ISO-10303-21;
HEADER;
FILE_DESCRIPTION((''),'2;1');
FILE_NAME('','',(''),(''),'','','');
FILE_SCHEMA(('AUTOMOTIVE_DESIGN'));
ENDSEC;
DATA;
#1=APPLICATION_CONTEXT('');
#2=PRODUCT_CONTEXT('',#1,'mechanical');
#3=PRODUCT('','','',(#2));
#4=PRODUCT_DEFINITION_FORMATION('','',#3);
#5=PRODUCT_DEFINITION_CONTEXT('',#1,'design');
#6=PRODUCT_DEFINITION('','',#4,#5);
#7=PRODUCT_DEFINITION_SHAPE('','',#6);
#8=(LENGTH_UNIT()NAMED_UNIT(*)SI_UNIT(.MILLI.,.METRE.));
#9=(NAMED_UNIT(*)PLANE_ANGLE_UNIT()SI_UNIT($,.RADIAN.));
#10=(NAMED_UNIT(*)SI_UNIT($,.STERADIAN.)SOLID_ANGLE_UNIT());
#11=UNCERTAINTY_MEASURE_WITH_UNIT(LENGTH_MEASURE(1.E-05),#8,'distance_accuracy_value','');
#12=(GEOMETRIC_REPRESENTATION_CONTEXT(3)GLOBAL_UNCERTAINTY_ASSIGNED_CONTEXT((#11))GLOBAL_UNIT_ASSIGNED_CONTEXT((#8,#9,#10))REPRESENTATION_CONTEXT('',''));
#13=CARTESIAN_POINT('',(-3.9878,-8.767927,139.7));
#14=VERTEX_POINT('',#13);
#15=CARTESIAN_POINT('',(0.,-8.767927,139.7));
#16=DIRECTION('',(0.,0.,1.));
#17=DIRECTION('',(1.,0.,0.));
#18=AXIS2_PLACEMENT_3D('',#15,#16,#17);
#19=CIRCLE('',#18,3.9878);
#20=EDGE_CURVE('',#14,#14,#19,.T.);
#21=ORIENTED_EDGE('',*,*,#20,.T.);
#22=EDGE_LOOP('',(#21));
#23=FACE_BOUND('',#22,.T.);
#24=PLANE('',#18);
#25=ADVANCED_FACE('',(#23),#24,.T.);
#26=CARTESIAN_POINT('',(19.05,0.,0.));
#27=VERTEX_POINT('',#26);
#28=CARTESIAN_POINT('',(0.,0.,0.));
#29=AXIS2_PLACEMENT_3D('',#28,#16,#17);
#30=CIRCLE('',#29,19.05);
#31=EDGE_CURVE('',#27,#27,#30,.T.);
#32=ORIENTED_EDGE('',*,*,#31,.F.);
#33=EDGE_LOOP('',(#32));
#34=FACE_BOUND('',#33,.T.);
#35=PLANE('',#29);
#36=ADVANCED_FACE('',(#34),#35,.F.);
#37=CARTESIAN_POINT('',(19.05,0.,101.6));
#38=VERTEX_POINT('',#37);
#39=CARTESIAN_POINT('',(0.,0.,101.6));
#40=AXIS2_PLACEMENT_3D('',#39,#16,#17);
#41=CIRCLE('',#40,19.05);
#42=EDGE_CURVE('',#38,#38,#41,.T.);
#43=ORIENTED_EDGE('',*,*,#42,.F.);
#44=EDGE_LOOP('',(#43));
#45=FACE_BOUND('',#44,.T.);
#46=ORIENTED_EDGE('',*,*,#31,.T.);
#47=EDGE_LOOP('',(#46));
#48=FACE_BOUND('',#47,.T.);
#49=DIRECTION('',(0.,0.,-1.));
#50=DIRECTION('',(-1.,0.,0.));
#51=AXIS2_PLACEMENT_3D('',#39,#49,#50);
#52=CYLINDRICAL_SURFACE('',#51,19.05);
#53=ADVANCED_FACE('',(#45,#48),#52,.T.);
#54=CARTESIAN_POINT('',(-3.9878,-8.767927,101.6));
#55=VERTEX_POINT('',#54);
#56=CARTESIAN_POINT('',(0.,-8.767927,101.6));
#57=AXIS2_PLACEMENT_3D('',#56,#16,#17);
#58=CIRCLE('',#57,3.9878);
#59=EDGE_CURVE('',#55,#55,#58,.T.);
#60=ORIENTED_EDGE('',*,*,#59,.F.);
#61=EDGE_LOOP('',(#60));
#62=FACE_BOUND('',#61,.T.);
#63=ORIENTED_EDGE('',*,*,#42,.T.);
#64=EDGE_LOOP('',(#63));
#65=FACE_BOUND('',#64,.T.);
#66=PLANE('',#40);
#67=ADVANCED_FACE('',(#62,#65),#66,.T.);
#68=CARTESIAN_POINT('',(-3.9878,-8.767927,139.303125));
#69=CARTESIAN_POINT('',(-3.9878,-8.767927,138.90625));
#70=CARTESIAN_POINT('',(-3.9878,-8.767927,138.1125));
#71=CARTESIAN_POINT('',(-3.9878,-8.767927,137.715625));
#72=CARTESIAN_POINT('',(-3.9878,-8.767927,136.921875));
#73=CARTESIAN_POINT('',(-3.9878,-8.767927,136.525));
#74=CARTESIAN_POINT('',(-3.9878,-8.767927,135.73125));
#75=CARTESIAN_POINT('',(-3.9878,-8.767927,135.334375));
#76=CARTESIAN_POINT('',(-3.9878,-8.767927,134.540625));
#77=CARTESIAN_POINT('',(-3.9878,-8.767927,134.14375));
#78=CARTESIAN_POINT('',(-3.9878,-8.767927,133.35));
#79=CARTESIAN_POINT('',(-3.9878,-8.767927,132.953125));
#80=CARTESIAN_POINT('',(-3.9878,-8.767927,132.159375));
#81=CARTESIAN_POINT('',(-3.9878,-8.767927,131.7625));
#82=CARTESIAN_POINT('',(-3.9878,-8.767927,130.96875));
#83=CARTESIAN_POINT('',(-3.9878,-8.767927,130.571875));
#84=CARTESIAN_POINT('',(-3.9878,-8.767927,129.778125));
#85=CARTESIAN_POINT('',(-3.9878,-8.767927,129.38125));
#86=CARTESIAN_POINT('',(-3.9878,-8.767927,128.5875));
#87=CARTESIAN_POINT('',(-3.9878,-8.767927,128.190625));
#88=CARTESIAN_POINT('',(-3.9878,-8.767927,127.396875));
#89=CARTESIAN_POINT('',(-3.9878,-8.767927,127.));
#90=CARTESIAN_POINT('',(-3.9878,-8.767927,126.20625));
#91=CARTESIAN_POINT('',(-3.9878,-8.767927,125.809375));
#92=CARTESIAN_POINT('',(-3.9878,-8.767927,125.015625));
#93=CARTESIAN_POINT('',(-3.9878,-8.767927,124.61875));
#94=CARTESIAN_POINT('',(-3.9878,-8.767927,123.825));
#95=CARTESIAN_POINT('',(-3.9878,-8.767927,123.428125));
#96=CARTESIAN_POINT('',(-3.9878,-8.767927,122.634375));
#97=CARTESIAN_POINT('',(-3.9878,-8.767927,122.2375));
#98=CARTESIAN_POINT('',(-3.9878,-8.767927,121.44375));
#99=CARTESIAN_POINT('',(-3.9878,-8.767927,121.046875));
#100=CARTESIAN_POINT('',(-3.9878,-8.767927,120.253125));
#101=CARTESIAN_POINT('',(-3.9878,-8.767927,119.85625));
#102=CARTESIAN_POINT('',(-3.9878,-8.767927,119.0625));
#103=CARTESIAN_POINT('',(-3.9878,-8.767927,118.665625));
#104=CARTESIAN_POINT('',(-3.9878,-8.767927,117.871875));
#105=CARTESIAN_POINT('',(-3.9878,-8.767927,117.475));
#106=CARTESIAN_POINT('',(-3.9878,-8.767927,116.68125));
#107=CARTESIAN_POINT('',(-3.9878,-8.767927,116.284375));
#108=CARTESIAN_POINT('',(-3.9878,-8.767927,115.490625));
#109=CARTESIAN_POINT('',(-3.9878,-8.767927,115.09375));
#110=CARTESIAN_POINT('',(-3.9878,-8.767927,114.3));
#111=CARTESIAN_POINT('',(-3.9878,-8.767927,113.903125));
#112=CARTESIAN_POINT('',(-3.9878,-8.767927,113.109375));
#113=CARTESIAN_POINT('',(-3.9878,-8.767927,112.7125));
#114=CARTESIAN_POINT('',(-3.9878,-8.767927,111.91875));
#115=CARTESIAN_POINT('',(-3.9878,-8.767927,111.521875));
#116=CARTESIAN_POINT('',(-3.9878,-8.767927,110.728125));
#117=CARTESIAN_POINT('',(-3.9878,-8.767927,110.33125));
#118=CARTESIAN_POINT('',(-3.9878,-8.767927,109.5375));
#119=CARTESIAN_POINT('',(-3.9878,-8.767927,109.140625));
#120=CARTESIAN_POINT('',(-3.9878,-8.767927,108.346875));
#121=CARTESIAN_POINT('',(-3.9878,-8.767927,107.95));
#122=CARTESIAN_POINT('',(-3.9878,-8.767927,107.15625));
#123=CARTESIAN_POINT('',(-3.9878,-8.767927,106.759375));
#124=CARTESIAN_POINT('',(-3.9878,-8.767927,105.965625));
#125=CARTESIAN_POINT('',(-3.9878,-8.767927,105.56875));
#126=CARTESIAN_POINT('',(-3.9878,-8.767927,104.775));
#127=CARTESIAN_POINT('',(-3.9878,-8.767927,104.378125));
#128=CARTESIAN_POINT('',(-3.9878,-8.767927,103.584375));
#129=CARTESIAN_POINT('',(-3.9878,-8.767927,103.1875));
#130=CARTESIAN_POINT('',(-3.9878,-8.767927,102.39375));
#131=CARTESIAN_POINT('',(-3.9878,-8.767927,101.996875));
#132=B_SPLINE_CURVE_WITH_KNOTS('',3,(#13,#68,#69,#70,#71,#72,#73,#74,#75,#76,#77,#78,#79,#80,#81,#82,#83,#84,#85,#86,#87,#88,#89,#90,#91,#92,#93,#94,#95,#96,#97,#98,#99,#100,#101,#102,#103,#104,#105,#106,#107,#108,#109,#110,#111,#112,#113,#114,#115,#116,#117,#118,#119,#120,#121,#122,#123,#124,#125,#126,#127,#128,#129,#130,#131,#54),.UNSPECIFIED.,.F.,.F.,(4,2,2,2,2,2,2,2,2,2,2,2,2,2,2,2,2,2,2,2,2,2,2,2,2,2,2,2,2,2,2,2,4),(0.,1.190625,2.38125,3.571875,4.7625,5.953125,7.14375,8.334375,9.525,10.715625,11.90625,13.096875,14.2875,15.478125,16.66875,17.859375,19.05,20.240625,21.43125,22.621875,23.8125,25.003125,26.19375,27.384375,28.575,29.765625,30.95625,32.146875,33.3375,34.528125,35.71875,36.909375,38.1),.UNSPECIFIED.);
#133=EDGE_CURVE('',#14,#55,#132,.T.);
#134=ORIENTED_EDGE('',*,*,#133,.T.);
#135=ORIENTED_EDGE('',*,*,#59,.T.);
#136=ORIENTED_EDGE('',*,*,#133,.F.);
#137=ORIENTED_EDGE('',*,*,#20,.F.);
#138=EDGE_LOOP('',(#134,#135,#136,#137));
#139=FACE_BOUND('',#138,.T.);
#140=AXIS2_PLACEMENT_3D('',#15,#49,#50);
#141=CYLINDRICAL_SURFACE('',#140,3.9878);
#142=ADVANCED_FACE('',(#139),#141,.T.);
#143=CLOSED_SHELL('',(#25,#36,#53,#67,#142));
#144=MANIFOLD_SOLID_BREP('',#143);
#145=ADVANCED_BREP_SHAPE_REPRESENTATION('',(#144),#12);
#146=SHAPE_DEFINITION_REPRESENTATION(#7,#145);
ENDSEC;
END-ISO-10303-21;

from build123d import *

# Parameters (mm, degrees)
SKETCH1_R           = 19.05
BOSS_EXTRUDE1_DEPTH = 101.6
SKETCH2_R           = 3.9878
BOSS_EXTRUDE2_DEPTH = 38.1


with BuildPart() as part:
    # Sketch1 → Boss-Extrude1 (new body)
    with BuildSketch(Plane.XY):
        Circle(SKETCH1_R)
    extrude(amount=BOSS_EXTRUDE1_DEPTH)

    # Sketch2 → Boss-Extrude2 (add)
    with BuildSketch(Plane.XY.offset(101.6)):
        with Locations(Location((0, -8.767927131, 0), (0, 0, 180))):
            Circle(SKETCH2_R)
    extrude(amount=BOSS_EXTRUDE2_DEPTH)


solid = part.part
